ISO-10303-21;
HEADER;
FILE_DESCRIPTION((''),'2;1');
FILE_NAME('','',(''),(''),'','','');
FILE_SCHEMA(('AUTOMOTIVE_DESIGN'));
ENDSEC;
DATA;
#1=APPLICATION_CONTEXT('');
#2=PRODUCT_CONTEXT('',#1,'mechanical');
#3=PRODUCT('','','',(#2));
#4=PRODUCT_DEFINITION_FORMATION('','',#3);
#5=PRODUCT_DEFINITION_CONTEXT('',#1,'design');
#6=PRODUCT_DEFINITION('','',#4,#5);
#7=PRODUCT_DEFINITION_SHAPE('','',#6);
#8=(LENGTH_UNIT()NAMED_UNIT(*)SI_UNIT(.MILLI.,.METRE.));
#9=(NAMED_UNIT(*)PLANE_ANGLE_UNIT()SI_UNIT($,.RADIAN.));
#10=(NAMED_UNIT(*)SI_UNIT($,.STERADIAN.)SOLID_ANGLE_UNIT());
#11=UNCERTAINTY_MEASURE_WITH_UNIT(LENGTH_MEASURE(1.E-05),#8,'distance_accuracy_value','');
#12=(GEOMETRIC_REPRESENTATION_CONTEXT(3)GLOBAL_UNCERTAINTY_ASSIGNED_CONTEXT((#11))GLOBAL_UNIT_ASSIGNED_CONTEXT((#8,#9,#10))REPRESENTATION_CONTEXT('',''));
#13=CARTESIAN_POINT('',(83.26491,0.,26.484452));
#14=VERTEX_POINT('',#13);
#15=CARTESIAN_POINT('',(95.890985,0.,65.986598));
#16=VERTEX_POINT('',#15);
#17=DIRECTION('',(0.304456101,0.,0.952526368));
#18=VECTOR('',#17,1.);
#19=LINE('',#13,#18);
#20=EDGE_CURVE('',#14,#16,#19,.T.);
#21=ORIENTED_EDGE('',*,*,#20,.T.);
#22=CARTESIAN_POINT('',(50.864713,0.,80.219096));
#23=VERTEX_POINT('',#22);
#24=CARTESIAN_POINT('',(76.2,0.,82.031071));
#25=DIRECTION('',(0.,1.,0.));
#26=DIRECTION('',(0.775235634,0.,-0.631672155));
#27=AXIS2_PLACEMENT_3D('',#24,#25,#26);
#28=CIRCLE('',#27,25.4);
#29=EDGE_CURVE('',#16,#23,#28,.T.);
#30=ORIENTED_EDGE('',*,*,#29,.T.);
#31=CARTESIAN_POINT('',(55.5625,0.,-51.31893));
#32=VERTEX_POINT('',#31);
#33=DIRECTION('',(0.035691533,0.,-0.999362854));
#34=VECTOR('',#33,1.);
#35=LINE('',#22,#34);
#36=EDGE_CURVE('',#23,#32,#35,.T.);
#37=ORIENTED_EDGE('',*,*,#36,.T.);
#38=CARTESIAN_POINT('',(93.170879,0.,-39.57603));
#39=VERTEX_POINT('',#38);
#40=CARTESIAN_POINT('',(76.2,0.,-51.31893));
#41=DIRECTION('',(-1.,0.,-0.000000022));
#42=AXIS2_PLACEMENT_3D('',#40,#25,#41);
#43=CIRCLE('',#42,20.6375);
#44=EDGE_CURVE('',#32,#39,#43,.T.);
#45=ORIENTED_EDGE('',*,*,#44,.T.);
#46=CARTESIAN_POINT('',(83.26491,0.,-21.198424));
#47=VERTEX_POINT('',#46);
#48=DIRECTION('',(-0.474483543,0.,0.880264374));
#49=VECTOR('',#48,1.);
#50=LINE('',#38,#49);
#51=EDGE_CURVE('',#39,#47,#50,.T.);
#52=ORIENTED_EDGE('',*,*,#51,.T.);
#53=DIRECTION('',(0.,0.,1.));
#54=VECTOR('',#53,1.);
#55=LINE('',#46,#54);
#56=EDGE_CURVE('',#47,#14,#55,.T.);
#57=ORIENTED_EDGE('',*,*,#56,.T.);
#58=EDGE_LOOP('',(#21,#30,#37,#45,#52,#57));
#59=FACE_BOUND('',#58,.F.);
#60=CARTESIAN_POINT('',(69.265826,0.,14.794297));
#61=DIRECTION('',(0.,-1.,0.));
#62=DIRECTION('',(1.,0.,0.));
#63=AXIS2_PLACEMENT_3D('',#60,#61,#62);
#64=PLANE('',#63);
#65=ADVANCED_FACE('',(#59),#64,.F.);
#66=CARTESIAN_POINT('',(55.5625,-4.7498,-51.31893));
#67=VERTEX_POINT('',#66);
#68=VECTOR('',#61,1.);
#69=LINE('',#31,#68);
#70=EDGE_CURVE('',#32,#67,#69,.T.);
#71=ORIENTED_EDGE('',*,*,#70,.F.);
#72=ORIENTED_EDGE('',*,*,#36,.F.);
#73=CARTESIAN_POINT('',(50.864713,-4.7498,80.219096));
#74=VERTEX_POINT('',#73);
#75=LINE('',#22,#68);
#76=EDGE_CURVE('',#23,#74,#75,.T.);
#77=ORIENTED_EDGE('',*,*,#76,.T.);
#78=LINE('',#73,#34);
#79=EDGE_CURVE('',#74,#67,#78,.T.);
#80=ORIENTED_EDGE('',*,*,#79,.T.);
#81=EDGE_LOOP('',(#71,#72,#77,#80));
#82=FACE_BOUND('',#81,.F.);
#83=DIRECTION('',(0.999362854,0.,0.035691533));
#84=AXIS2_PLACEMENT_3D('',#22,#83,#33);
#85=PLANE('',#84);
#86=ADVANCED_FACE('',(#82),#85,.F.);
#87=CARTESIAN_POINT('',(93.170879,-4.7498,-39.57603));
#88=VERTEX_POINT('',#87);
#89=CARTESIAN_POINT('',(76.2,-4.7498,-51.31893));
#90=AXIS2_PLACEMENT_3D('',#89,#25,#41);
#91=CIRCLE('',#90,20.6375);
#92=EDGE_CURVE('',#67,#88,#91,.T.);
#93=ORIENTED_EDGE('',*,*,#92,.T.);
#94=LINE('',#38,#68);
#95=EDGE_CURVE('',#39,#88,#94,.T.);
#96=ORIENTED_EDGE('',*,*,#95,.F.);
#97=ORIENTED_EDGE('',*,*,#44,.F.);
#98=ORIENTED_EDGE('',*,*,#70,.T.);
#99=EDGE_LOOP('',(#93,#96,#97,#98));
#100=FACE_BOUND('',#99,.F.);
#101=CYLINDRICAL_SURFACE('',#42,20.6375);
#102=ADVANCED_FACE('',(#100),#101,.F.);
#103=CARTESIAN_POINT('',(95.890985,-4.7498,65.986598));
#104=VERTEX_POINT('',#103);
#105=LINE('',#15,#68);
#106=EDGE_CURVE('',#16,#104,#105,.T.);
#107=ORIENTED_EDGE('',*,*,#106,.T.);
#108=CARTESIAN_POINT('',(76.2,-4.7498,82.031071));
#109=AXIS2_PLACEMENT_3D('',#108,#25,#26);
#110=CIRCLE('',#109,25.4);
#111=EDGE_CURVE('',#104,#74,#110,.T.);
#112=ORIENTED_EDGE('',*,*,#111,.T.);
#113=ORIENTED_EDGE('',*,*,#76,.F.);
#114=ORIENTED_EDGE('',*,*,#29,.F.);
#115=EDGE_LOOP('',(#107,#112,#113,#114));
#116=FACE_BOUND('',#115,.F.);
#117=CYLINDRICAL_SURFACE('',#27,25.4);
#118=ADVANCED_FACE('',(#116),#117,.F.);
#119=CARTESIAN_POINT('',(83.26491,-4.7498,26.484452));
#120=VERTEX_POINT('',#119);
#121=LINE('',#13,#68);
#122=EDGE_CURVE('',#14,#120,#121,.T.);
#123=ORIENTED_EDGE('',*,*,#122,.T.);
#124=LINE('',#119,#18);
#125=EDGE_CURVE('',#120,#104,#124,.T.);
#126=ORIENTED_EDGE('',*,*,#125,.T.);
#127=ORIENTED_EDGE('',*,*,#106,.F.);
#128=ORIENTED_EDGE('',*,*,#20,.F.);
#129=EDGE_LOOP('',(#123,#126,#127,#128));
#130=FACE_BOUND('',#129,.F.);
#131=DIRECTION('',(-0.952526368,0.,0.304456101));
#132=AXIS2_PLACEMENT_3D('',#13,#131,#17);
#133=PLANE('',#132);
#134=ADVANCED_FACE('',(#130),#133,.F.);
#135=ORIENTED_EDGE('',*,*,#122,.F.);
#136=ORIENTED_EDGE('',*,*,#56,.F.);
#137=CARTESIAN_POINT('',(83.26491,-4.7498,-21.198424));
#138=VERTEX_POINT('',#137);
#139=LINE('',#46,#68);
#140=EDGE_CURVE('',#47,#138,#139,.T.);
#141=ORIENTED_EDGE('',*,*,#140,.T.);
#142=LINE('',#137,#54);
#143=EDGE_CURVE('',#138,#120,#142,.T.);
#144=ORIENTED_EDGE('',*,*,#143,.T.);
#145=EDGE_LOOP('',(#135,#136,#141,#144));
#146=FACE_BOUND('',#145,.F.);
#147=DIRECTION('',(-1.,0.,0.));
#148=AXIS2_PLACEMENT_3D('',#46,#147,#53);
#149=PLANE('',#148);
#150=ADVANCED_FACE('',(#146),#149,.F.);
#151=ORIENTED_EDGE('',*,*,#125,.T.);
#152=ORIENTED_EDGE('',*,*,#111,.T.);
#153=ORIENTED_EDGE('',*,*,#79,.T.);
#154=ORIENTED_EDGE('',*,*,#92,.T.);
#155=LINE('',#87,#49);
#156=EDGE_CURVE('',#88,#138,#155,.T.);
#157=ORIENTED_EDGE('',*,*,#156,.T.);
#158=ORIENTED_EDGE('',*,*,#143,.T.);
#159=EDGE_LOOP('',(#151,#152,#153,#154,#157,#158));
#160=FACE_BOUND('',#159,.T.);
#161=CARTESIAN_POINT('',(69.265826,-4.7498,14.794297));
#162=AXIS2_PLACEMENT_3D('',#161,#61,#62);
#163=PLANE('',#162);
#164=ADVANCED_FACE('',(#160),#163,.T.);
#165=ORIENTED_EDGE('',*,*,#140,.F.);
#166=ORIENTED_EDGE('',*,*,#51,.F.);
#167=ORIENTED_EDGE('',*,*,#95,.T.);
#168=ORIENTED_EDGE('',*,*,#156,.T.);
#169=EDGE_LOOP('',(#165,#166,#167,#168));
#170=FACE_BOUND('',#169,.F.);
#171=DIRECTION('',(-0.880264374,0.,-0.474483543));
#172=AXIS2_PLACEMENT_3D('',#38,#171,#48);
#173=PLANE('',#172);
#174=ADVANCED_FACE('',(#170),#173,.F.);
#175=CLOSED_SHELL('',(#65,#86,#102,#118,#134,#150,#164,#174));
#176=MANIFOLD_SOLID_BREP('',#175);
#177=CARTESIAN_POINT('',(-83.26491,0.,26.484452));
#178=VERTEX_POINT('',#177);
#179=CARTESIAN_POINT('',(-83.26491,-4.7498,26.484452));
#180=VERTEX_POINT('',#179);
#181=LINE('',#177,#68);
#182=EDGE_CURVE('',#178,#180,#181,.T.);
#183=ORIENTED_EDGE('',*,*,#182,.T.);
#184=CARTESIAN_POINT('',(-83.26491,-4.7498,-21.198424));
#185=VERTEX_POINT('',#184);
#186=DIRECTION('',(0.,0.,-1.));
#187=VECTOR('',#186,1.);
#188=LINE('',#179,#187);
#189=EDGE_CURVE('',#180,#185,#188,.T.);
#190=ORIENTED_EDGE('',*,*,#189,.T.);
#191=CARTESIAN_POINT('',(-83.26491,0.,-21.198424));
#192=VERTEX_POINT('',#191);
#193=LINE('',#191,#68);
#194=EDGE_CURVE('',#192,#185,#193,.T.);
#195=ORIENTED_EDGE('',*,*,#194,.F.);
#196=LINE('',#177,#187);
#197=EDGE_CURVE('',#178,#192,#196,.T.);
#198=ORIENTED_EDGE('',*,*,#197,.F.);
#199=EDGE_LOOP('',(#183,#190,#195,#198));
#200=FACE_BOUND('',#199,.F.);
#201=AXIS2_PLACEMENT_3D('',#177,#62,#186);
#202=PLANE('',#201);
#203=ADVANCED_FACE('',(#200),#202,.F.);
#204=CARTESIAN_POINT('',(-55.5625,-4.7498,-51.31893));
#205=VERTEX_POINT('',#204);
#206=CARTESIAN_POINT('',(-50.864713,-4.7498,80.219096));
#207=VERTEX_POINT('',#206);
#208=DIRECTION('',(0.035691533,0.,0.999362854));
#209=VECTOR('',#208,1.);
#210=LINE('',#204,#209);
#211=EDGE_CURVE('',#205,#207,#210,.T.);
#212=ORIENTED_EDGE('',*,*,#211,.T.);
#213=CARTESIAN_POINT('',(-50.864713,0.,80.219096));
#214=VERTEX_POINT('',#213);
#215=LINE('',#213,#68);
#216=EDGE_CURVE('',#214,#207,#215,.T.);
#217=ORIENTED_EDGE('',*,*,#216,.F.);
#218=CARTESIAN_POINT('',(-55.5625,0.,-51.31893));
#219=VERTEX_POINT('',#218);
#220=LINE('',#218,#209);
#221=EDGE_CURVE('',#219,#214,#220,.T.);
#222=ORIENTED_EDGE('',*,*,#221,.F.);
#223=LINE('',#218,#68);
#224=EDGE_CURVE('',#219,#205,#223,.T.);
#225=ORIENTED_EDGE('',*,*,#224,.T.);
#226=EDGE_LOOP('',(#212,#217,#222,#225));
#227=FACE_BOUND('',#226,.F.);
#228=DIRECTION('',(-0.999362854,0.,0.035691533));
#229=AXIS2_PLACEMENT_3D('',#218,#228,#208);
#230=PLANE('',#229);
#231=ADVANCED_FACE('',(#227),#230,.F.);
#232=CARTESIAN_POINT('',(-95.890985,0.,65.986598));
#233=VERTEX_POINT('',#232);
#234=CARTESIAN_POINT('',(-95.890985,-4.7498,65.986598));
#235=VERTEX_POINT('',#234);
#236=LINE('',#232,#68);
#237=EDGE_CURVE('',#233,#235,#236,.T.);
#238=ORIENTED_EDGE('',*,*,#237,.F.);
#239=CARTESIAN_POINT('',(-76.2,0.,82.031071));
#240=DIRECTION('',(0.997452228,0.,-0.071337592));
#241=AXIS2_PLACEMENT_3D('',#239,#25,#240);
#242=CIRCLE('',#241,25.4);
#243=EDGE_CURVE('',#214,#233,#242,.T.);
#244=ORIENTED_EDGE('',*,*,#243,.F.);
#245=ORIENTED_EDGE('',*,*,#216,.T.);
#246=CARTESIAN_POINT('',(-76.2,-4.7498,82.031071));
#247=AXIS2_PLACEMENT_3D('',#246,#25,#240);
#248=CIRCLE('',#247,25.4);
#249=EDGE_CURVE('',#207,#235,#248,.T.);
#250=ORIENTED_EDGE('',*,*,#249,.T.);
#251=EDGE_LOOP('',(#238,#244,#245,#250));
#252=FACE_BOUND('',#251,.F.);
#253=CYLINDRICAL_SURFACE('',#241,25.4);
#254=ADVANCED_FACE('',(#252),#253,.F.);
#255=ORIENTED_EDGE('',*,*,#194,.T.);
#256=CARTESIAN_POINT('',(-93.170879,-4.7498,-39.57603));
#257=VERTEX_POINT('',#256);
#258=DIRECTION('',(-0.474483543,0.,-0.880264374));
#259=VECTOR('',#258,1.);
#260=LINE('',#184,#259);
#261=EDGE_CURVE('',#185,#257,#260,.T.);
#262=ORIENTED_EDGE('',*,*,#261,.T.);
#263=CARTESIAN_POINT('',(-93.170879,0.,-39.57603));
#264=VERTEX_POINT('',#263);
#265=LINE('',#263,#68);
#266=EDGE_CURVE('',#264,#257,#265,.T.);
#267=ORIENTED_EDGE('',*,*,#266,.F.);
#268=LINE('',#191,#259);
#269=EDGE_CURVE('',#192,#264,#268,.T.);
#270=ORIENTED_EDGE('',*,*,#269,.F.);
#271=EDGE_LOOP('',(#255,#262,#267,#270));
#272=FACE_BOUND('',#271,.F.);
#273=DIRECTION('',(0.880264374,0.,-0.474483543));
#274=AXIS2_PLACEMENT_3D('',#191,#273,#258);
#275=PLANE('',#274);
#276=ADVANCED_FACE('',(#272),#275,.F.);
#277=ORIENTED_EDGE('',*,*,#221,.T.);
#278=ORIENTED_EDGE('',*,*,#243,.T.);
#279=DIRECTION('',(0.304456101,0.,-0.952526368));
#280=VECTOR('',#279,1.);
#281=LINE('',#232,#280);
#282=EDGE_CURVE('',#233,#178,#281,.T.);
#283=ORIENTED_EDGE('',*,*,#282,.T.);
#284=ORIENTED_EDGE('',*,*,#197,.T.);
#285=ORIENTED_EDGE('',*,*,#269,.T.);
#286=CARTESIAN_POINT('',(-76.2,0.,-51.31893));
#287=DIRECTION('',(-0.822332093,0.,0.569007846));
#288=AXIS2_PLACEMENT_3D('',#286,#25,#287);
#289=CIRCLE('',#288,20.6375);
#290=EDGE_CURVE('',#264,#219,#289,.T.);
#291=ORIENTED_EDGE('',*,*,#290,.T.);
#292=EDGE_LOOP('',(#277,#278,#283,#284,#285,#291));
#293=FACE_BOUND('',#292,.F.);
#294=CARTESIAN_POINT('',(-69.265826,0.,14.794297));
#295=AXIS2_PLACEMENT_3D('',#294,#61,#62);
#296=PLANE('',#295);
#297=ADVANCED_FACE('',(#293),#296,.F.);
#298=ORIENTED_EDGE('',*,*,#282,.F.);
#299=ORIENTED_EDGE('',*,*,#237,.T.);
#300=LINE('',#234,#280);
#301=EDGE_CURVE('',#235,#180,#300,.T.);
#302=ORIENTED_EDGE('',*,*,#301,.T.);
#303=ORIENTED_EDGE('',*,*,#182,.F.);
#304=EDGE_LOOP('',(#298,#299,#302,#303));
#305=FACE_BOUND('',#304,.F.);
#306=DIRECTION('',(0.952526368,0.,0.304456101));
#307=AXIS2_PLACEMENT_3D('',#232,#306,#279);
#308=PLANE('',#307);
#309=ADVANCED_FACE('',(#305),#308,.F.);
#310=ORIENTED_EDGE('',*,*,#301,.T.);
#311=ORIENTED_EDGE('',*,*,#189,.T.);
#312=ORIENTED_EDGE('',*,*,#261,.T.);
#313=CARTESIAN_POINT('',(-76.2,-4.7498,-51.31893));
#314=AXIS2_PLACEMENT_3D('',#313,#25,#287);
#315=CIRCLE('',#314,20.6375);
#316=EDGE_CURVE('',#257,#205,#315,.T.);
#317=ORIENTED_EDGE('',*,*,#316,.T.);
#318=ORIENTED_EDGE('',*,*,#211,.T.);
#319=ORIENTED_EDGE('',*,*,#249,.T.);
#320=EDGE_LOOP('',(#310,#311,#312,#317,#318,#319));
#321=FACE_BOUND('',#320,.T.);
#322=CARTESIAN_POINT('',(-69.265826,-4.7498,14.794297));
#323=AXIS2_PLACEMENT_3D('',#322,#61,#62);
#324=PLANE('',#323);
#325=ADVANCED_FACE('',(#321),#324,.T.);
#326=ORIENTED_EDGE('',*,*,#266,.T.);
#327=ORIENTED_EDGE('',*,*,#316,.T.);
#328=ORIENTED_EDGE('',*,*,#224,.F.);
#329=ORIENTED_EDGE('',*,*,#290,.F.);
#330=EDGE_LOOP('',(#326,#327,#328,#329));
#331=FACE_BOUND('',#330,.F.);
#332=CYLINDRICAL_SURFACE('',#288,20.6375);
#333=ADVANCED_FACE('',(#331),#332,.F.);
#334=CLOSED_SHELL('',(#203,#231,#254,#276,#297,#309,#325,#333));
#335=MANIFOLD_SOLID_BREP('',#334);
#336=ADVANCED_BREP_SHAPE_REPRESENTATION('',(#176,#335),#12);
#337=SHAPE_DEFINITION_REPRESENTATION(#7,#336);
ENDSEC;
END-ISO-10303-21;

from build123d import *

# Parameters (mm, degrees)
F1_DEPTH = 4.7498


with BuildPart() as f1:
    # F0 (on Front) → F1 (new body)
    with BuildSketch(Plane.XZ):
        with BuildLine():
            ThreePointArc((-50.864713, 80.219096), (-68.544575, 57.812184), (-95.890985, 65.986598))
            Line((-95.890985, 65.986598), (-83.26491, 26.484452))
            Line((-83.26491, 26.484452), (-83.26491, -21.198424))
            Line((-83.26491, -21.198424), (-93.170879, -39.57603))
            ThreePointArc((-93.170879, -39.57603), (-70.048988, -31.6194), (-55.5625, -51.31893))
            Line((-55.5625, -51.31893), (-50.864713, 80.219096))
        make_face()
        with BuildLine():
            Line((83.26491, 26.484452), (95.890985, 65.986598))
            ThreePointArc((95.890985, 65.986598), (68.544575, 57.812184), (50.864713, 80.219096))
            Line((50.864713, 80.219096), (55.5625, -51.31893))
            ThreePointArc((55.5625, -51.31893), (70.048988, -31.6194), (93.170879, -39.57603))
            Line((93.170879, -39.57603), (83.26491, -21.198424))
            Line((83.26491, -21.198424), (83.26491, 26.484452))
        make_face()
    extrude(amount=F1_DEPTH)


solid = f1.part
